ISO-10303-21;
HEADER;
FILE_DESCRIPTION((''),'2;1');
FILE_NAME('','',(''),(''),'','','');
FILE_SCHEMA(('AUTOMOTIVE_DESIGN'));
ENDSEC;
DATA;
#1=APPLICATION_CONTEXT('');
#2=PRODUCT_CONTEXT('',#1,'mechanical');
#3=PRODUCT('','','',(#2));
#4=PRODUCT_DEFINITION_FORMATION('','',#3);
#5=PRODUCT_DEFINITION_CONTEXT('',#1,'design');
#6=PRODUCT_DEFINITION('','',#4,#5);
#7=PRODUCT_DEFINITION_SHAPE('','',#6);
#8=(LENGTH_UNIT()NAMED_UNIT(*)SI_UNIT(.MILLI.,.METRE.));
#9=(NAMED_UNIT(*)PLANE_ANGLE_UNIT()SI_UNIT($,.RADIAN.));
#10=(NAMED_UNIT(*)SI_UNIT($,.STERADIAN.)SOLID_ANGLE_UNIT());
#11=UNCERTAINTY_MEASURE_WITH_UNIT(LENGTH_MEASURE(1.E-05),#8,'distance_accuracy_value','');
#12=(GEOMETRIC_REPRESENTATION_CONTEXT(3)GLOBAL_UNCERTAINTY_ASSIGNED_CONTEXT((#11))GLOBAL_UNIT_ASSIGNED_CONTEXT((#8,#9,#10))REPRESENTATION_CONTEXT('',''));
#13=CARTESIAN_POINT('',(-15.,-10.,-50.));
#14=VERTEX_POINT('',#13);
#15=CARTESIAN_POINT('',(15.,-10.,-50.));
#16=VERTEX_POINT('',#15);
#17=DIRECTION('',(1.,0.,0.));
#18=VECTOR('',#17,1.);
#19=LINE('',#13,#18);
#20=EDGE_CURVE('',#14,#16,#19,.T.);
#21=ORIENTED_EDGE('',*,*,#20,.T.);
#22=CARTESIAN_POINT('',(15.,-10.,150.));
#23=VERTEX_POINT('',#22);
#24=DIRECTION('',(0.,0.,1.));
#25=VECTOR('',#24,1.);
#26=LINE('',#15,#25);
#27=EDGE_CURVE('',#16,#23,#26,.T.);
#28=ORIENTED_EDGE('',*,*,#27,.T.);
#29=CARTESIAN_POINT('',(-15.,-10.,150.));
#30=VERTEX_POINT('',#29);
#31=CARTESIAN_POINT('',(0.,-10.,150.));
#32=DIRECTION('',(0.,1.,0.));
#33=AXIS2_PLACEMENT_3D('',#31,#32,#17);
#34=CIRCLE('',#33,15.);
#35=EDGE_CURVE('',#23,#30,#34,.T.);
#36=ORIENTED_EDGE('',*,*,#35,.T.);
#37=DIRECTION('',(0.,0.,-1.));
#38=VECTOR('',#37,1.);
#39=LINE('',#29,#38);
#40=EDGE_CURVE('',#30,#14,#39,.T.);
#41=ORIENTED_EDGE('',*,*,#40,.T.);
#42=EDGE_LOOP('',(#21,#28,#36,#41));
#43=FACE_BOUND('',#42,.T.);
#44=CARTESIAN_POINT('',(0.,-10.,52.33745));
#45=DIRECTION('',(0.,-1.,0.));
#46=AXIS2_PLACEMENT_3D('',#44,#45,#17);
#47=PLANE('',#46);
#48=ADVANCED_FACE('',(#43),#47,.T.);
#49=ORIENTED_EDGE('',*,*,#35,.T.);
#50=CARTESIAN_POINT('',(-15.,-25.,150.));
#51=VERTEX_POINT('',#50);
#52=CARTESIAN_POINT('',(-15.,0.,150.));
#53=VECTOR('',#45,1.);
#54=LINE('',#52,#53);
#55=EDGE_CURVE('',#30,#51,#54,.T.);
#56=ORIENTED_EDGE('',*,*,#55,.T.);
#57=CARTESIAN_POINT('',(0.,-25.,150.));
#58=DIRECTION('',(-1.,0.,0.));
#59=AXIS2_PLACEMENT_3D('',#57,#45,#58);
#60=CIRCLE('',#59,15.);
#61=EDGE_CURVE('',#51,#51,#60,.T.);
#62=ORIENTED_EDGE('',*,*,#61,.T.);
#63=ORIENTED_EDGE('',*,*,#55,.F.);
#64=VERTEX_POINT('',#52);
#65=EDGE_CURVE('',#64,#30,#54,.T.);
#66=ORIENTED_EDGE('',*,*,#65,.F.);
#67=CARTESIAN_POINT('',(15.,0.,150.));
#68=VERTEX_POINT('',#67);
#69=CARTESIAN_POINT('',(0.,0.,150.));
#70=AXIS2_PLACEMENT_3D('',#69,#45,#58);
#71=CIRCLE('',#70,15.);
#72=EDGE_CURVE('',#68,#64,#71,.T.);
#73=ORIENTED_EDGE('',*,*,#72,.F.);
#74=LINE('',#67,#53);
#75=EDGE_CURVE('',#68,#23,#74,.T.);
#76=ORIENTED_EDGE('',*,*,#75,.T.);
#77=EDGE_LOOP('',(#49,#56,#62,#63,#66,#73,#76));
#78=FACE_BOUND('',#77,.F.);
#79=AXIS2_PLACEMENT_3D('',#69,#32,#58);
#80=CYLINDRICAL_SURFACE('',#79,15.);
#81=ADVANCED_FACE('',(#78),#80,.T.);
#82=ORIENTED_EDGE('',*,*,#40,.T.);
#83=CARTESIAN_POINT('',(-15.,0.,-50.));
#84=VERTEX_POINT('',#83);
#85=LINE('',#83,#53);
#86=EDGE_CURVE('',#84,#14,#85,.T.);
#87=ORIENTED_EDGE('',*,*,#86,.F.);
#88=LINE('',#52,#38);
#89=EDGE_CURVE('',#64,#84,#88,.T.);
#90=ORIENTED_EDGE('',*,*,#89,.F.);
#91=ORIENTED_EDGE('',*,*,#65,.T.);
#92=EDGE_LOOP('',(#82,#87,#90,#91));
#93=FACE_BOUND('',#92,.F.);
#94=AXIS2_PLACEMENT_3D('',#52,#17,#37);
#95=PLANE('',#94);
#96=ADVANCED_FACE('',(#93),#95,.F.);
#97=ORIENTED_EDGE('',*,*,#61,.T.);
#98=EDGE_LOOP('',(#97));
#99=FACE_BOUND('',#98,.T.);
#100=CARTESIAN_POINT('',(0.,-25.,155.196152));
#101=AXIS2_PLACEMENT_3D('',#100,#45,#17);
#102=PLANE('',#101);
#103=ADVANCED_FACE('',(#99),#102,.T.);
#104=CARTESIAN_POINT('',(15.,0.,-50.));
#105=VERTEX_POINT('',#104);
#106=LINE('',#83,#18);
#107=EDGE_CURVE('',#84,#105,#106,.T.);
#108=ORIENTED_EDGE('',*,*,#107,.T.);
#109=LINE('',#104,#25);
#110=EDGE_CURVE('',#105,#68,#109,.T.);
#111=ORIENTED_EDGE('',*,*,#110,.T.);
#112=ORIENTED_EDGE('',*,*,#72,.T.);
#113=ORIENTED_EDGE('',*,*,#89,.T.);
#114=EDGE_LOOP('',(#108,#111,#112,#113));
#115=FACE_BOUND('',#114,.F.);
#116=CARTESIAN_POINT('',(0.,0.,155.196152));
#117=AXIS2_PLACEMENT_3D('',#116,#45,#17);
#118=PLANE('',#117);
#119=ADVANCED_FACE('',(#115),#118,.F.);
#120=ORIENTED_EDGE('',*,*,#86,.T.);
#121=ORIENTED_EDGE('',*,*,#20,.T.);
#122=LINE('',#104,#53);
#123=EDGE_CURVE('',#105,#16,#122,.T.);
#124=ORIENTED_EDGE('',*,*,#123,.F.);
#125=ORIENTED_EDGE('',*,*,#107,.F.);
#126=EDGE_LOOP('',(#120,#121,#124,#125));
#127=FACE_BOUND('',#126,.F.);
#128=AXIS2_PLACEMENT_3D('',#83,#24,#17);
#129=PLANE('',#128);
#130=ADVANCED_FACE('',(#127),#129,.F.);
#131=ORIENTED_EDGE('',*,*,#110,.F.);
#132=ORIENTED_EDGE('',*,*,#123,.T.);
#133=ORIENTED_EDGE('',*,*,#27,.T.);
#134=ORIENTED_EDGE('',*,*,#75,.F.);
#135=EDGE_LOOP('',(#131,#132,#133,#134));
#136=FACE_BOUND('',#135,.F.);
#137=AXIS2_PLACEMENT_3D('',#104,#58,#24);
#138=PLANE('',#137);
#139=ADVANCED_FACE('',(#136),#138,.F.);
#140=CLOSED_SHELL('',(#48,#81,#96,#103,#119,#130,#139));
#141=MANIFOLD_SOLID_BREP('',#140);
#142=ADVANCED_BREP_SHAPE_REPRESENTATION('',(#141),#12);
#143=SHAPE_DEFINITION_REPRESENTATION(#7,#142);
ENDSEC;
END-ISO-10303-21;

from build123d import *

# Parameters (mm, degrees)
F1_DEPTH = 25
F2_DEPTH = 10


with BuildPart() as f1:
    # F0 (on Front) → F1 (new body)
    with BuildSketch(Plane.XZ):
        with BuildLine():
            ThreePointArc((15, 150), (0, 165), (-15, 150))
            Line((-15, 150), (15, 150))
        make_face()
        with BuildLine():
            Line((15, 150), (-15, 150))
            ThreePointArc((-15, 150), (0, 135), (15, 150))
        make_face()
    extrude(amount=F1_DEPTH)

    # F0 (on Front) → F2 (join)
    with BuildSketch(Plane.XZ):
        with BuildLine():
            ThreePointArc((15, 150), (0, 165), (-15, 150))
            Line((-15, 150), (15, 150))
        make_face()
        with BuildLine():
            ThreePointArc((15, 150), (0, 135), (-15, 150))
            Line((-15, 150), (-15, -50))
            Line((-15, -50), (15, -50))
            Line((15, -50), (15, 150))
        make_face()
    extrude(amount=F2_DEPTH)


solid = f1.part
